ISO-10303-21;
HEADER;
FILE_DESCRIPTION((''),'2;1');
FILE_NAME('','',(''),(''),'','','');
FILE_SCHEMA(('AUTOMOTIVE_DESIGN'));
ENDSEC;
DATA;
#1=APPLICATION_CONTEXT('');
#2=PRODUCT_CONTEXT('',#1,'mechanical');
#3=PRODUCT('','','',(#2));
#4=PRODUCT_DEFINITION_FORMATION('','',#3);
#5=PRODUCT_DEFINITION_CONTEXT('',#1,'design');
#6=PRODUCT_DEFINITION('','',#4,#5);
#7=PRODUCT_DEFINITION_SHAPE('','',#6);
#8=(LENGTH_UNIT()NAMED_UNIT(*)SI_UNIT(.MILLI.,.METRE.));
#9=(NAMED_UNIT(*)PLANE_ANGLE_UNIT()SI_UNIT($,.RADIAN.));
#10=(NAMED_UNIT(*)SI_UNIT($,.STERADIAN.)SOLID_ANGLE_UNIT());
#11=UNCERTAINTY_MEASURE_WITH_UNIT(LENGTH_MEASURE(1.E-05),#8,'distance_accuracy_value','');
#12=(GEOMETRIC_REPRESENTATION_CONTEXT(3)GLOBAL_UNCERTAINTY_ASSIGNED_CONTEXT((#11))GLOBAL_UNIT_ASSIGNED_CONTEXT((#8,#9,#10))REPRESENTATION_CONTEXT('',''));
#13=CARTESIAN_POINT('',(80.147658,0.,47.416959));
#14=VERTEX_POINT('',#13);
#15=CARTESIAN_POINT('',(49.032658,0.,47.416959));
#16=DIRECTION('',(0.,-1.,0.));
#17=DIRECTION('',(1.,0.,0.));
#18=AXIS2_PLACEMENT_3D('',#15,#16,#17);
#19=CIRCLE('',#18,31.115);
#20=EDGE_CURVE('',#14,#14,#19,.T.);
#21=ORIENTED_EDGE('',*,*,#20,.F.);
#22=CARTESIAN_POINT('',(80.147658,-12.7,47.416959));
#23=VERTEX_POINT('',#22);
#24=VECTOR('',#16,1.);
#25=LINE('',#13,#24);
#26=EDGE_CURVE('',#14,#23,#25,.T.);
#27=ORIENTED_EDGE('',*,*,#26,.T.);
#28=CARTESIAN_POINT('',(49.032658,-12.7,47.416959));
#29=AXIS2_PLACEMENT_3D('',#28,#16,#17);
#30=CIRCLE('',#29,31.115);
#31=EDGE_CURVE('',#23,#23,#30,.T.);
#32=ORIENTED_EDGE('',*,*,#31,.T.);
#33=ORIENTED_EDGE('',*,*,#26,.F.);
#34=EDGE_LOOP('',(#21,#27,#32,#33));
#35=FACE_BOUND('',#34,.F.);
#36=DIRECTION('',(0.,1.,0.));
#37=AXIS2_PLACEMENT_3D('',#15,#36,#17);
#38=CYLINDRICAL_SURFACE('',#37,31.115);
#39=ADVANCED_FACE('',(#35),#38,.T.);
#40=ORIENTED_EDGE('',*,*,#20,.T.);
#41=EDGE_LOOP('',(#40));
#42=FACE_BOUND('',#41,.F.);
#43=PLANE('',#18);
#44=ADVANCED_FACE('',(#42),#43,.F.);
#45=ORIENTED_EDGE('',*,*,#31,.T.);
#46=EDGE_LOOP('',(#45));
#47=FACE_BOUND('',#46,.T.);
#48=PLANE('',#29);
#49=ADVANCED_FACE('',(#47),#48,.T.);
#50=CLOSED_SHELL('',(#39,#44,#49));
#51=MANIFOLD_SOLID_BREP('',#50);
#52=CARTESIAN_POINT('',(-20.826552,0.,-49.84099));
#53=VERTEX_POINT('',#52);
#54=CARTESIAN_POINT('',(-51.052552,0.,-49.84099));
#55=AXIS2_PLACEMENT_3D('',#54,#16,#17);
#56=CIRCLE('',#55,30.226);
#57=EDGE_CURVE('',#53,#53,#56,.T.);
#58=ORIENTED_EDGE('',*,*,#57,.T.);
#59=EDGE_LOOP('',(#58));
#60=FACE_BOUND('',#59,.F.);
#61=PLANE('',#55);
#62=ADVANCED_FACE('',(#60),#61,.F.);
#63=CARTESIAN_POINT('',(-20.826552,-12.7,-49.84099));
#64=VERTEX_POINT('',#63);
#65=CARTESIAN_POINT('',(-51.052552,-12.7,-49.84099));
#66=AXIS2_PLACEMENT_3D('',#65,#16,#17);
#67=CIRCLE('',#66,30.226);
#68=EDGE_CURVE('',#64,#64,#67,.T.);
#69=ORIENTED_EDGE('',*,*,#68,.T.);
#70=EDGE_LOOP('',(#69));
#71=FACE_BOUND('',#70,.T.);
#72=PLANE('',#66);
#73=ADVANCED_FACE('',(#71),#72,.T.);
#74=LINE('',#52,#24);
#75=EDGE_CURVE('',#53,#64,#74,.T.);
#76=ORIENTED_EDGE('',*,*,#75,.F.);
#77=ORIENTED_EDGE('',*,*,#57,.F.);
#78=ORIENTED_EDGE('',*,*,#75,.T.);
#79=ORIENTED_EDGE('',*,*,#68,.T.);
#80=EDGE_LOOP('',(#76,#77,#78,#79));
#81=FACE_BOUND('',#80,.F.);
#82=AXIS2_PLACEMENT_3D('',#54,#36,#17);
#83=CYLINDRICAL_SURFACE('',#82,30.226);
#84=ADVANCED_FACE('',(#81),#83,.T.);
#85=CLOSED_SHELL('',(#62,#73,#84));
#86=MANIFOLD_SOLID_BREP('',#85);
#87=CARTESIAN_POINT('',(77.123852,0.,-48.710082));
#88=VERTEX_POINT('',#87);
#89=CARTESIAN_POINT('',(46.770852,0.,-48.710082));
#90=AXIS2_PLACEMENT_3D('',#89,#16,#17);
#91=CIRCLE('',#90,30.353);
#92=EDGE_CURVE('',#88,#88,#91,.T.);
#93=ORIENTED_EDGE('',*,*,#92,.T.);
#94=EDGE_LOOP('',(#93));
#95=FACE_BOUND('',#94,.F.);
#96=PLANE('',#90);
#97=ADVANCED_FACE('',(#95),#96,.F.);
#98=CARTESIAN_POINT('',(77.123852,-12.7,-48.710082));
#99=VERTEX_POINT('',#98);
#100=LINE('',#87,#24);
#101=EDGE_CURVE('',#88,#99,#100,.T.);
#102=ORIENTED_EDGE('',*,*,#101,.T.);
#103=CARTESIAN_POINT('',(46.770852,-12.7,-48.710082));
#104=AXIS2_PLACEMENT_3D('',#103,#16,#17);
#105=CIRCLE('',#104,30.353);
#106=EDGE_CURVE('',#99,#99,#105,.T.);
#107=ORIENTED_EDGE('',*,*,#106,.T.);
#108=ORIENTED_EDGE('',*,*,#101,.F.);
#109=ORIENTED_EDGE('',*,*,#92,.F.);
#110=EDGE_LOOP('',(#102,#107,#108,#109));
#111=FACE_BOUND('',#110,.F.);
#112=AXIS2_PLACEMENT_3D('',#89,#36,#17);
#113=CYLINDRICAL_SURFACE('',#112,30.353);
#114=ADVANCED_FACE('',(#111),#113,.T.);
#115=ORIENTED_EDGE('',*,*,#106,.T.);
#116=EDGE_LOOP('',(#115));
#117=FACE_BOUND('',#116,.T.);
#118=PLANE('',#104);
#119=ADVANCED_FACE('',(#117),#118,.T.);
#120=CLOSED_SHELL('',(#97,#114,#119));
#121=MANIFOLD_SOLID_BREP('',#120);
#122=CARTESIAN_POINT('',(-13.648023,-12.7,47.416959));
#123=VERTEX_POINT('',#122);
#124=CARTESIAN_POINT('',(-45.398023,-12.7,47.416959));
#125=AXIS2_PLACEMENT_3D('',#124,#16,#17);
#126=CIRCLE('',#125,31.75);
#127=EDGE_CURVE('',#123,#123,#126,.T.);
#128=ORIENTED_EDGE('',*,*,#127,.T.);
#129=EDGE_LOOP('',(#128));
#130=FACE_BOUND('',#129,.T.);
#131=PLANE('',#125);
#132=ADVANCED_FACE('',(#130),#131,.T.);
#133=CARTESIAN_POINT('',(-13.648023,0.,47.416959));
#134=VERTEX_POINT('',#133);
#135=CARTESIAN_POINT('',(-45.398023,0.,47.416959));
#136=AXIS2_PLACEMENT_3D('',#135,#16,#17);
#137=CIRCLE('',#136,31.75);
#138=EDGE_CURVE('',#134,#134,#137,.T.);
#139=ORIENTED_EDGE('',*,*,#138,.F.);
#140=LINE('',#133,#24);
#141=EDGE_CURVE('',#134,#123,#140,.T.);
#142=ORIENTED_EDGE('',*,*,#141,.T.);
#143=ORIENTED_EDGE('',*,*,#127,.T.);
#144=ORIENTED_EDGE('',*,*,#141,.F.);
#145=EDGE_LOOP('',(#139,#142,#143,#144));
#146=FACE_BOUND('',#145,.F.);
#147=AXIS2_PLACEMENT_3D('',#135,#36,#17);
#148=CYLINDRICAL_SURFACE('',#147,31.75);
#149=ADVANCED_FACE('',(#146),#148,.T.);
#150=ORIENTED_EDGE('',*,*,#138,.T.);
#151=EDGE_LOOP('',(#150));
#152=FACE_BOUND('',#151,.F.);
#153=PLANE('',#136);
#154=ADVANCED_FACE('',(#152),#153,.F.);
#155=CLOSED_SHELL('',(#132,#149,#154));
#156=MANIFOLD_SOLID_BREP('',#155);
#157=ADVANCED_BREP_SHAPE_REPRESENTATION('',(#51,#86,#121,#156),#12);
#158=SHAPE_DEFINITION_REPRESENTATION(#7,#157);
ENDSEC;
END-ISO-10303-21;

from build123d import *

# Parameters (mm, degrees)
F0_R     = 30.226
F0_R_2   = 30.353
F0_R_3   = 31.115
F0_R_4   = 31.75
F1_DEPTH = 12.7


with BuildPart() as f1:
    # F0 (on Front) → F1 (new body)
    with BuildSketch(Plane.XZ):
        with Locations((-51.052552, -49.84099)):
            Circle(F0_R)
        with Locations((46.770852, -48.710082)):
            Circle(F0_R_2)
        with Locations((49.032658, 47.416959)):
            Circle(F0_R_3)
        with Locations((-45.398023, 47.416959)):
            Circle(F0_R_4)
    extrude(amount=F1_DEPTH)


solid = f1.part
